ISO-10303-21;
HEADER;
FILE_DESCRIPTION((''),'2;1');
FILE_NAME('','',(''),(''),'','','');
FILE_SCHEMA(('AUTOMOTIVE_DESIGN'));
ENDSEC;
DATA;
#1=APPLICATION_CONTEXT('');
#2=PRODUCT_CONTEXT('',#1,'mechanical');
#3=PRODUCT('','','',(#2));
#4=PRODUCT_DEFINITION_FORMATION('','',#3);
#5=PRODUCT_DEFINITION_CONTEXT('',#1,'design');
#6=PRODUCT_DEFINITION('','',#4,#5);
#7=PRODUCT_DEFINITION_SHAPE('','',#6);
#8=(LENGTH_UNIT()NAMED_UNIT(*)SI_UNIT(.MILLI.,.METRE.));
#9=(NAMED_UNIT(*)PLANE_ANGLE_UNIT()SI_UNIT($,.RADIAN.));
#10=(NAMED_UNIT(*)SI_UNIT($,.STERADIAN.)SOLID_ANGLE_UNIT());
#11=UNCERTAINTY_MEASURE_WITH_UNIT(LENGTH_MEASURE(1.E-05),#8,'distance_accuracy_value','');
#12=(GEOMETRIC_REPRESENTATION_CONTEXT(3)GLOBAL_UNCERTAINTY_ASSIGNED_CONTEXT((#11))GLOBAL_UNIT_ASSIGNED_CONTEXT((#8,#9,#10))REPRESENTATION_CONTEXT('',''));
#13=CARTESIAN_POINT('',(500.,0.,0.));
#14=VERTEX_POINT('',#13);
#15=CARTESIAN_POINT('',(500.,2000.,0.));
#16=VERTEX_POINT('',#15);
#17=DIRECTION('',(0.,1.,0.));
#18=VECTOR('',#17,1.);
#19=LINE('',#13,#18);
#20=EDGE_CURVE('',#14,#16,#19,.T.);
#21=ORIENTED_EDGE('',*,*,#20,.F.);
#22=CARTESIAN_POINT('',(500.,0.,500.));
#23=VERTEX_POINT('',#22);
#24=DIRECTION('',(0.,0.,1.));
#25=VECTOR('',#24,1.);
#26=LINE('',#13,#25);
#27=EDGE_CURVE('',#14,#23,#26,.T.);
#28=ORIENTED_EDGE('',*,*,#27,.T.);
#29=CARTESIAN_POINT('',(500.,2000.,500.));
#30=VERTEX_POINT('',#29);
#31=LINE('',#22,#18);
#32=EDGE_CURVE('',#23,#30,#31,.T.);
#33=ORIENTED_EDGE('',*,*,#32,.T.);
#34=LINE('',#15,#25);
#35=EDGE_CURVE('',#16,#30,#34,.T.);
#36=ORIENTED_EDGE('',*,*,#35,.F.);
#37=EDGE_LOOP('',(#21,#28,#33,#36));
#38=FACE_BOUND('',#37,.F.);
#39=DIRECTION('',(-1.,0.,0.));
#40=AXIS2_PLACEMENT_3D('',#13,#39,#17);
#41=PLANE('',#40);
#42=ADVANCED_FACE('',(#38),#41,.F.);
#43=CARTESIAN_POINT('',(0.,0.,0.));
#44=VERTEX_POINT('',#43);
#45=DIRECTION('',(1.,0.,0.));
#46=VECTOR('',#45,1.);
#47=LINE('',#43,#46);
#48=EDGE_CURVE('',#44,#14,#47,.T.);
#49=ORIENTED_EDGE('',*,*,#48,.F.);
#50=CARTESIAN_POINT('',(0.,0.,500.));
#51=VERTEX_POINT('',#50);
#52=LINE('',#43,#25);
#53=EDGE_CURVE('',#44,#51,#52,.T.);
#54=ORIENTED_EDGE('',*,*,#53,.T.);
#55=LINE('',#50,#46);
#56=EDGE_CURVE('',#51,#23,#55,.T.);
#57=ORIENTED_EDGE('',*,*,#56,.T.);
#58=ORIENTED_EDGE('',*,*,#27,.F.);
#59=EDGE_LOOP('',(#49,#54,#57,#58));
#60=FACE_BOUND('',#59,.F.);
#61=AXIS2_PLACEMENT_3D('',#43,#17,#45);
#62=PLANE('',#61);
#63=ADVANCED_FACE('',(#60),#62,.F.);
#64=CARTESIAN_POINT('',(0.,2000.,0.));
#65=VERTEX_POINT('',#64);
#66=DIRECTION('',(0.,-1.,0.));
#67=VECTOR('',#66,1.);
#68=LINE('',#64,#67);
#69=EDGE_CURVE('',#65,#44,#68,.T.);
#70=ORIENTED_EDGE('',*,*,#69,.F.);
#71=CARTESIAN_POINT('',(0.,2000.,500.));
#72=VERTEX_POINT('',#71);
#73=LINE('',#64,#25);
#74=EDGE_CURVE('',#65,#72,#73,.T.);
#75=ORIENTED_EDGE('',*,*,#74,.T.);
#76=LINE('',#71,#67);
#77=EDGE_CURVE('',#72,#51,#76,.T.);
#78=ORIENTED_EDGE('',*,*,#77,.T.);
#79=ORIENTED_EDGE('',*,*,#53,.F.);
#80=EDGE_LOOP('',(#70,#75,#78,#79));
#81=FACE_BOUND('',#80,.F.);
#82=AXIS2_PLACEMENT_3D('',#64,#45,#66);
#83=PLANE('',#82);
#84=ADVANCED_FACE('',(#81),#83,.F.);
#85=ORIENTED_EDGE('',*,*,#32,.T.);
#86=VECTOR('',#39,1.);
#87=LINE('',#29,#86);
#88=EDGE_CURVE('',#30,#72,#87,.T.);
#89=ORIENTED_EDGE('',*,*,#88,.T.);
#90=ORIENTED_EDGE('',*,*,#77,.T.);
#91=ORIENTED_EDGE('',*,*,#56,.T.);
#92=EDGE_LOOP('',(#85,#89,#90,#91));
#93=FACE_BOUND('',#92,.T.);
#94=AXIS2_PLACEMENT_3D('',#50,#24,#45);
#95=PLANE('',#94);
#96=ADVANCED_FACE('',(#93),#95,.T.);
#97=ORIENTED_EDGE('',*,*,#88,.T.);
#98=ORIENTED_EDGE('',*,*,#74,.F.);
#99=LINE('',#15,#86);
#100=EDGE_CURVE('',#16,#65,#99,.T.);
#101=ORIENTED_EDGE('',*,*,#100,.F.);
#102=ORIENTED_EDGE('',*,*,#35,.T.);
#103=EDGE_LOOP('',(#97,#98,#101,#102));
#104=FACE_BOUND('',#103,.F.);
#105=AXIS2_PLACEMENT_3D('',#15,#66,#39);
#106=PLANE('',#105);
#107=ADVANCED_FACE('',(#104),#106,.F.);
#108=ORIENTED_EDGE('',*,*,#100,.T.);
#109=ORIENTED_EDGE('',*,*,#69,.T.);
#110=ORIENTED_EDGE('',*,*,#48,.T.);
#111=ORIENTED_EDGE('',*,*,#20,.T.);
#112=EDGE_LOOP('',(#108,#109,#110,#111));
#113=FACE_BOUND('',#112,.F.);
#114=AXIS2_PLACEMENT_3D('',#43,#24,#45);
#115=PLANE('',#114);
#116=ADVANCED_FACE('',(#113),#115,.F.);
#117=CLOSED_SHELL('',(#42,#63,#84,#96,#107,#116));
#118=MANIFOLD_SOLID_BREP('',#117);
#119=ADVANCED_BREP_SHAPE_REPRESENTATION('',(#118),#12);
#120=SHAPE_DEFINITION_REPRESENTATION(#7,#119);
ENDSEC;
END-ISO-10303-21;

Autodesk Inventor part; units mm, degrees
ref_plane "YZ Plane" through (0, 0, 0) normal (1, 0, 0) x (0, 1, 0)
ref_plane "XZ Plane" through (0, 0, 0) normal (0, 1, 0) x (-1, 0, 0)
ref_plane "XY Plane" through (0, 0, 0) normal (0, 0, 1) x (1, 0, 0)
sketch "Sketch1" plane through (0, 0, 0) normal (0, 0, 1) x (1, 0, 0)
  line L0 (0, 0) -> (500, 0)
  line L1 (500, 0) -> (500, 2000)
  line L2 (500, 2000) -> (0, 2000)
  line L3 (0, 2000) -> (0, 0)
  dimension "d0" = 2000
  dimension "d1" = 500
extrude "Extrusion1" add sketch "Sketch1" along normal blind 500
properties part number "pillarofdeck" material "Wood (Oak)"
